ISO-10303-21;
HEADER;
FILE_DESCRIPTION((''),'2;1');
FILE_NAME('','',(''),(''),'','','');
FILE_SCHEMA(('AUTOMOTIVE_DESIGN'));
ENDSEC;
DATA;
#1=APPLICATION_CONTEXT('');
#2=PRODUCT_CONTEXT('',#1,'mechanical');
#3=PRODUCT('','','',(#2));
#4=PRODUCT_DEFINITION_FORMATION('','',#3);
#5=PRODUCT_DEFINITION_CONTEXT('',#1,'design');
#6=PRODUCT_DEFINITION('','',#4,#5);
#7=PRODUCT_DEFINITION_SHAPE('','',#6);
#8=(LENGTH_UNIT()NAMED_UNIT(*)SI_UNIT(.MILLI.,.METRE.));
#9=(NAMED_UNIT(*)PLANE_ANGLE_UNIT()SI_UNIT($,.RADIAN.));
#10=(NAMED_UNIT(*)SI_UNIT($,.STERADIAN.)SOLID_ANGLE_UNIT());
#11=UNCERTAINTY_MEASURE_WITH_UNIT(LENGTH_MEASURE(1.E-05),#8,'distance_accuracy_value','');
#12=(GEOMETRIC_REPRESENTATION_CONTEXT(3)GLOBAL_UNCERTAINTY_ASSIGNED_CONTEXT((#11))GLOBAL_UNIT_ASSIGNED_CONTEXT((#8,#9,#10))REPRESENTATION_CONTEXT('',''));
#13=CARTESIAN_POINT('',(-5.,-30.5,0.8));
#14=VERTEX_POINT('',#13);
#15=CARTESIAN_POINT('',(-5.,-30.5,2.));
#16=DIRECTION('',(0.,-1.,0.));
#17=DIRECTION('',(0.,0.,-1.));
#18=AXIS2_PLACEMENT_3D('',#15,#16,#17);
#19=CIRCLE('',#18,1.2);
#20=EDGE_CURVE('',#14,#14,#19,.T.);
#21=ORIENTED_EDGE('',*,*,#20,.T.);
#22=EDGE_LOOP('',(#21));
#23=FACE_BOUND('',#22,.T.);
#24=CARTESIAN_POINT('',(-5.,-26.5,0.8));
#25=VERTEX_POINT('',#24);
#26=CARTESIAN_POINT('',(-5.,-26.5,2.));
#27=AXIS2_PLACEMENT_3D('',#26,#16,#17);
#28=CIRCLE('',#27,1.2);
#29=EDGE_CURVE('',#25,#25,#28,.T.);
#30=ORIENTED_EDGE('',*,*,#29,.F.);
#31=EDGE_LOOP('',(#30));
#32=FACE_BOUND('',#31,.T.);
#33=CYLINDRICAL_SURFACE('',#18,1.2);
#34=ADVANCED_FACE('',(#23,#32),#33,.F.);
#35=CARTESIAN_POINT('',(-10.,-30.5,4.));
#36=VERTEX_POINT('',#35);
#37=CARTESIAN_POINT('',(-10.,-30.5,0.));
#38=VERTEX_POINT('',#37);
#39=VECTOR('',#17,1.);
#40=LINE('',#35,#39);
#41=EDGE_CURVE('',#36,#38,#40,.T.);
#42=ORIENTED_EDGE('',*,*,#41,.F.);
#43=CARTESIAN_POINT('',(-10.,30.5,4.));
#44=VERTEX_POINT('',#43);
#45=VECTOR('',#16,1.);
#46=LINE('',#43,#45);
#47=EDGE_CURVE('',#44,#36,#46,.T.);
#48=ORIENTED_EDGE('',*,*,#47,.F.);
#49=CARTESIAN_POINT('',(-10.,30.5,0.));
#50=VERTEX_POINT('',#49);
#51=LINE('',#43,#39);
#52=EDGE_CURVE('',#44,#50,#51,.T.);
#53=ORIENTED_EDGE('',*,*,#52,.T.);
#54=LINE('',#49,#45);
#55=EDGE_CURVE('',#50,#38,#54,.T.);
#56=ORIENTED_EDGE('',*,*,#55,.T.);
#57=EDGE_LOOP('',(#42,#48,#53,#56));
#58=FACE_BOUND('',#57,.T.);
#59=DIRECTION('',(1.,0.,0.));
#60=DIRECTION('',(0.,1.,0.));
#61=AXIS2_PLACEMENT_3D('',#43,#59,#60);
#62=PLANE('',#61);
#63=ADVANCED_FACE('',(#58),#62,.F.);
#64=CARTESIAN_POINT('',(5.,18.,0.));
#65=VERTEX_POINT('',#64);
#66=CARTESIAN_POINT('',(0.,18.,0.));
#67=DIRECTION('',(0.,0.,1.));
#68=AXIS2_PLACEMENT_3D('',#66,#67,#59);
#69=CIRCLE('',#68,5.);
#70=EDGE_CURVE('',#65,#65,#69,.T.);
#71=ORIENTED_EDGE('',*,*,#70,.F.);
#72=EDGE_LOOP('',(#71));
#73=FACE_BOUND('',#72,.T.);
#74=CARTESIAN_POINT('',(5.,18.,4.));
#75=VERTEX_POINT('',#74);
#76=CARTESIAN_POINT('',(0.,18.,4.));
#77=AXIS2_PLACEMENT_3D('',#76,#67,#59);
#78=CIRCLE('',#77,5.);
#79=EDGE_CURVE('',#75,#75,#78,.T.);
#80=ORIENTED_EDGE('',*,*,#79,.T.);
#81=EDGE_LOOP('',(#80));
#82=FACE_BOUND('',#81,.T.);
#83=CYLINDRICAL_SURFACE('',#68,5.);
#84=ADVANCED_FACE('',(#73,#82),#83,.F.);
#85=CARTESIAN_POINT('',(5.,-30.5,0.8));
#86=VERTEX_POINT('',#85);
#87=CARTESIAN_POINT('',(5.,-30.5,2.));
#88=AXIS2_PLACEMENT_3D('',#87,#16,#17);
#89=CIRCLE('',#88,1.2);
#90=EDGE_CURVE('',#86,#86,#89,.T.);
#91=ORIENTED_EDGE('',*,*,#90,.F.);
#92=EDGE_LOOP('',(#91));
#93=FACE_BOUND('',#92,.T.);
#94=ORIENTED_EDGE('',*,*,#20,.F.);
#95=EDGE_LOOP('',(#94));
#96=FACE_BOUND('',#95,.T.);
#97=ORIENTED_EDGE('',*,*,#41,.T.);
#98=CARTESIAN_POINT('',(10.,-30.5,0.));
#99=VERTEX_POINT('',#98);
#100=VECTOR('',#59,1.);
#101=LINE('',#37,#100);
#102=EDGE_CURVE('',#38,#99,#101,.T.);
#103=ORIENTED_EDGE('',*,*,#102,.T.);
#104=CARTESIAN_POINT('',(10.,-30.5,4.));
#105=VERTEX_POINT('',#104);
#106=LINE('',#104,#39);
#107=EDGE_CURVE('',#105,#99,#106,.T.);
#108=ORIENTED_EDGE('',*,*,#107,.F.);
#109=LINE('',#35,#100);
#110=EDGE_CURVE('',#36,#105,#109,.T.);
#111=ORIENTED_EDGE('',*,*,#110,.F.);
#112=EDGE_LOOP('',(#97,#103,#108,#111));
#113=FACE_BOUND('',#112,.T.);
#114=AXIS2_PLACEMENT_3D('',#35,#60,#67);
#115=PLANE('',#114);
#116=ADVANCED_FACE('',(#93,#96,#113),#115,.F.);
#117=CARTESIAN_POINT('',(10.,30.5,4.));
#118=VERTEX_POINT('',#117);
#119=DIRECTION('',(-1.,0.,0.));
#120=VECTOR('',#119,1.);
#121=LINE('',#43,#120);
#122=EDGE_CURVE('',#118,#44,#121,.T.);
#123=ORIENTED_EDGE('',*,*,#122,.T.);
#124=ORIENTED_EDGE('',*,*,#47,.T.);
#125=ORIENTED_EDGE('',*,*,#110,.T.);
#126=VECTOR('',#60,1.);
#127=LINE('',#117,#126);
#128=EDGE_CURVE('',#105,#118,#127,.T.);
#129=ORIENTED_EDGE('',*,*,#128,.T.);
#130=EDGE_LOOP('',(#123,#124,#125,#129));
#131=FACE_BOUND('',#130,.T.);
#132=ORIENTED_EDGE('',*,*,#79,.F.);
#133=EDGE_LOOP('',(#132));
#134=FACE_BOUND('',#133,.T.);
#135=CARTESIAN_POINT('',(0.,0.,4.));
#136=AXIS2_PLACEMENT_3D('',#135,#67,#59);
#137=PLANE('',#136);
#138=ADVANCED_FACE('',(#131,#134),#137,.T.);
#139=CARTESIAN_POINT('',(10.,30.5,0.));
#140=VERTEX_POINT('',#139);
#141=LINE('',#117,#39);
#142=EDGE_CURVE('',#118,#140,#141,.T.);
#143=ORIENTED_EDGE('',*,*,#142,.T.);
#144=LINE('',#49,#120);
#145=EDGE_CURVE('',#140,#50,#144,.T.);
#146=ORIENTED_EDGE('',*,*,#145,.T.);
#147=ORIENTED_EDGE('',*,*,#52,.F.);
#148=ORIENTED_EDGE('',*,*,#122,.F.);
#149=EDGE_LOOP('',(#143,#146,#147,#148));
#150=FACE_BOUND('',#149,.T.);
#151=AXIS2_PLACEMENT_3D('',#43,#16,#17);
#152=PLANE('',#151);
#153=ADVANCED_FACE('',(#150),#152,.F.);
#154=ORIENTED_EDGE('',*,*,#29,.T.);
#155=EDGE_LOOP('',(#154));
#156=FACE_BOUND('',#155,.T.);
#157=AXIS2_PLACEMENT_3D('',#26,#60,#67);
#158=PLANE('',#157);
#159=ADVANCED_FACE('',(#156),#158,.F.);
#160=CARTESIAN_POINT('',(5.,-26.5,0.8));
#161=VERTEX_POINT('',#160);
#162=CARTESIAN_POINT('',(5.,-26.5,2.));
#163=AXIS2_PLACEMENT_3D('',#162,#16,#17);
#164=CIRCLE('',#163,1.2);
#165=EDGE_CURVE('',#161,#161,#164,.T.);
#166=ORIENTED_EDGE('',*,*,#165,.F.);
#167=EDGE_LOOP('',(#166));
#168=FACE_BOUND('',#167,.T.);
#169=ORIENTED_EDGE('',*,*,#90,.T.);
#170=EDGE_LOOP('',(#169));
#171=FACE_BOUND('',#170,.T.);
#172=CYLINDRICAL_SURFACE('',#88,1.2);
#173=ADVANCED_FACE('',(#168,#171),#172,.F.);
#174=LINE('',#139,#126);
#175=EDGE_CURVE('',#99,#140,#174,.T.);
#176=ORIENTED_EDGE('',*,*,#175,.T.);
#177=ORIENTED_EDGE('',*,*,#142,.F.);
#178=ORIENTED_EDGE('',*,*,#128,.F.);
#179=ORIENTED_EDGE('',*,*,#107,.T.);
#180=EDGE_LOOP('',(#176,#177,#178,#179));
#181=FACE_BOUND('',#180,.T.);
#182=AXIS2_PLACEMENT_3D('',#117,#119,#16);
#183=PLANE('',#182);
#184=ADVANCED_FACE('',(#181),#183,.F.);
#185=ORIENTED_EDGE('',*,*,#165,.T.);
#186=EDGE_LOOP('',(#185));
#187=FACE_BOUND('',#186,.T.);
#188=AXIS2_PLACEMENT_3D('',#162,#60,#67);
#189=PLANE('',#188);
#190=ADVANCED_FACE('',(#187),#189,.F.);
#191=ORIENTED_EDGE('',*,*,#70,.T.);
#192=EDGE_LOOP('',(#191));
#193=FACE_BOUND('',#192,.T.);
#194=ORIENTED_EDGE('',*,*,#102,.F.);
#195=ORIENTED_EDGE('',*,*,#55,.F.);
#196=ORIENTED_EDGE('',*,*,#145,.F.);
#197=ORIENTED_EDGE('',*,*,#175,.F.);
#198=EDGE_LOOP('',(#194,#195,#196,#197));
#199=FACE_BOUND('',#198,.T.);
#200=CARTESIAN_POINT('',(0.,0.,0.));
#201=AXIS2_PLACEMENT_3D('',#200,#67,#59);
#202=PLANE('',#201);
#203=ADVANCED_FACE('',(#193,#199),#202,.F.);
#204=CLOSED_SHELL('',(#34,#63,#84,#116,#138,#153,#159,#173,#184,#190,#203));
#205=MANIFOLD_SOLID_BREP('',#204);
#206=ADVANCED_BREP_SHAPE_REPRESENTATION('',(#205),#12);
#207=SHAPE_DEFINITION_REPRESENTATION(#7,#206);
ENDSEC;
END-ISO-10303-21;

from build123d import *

# Parameters (mm, degrees)
SCHIZZO1_W                   = 20
SCHIZZO1_H                   = 61
ESTRUSIONE_ESTRUSIONE1_DEPTH = 4
SCHIZZO2_R                   = 5
TAGLIO_ESTRUSIONE1_DEPTH     = 4
FORO_PER_VITE_M2_2_D         = 2.4
FORO_PER_VITE_M2_2_DEPTH     = 4


with BuildPart() as part:
    # Schizzo1 → Estrusione-Estrusione1 (new body)
    with BuildSketch(Plane.XY):
        Rectangle(SCHIZZO1_W, SCHIZZO1_H)
    extrude(amount=ESTRUSIONE_ESTRUSIONE1_DEPTH)

    # Schizzo2 → Taglio-Estrusione1 (cut)
    with BuildSketch(Plane.XY.offset(4)):
        with Locations((0, 18)):
            Circle(SCHIZZO2_R)
    extrude(amount=-TAGLIO_ESTRUSIONE1_DEPTH, mode=Mode.SUBTRACT)

    # Foro per Vite M2-2
    with Locations(Plane(origin=(0, -30.5, 0), x_dir=(-1, 0, 0), z_dir=(0, -1, 0))):
        with Locations((5, -2), (-5, -2)):
            Hole(FORO_PER_VITE_M2_2_D / 2, depth=FORO_PER_VITE_M2_2_DEPTH)


solid = part.part
